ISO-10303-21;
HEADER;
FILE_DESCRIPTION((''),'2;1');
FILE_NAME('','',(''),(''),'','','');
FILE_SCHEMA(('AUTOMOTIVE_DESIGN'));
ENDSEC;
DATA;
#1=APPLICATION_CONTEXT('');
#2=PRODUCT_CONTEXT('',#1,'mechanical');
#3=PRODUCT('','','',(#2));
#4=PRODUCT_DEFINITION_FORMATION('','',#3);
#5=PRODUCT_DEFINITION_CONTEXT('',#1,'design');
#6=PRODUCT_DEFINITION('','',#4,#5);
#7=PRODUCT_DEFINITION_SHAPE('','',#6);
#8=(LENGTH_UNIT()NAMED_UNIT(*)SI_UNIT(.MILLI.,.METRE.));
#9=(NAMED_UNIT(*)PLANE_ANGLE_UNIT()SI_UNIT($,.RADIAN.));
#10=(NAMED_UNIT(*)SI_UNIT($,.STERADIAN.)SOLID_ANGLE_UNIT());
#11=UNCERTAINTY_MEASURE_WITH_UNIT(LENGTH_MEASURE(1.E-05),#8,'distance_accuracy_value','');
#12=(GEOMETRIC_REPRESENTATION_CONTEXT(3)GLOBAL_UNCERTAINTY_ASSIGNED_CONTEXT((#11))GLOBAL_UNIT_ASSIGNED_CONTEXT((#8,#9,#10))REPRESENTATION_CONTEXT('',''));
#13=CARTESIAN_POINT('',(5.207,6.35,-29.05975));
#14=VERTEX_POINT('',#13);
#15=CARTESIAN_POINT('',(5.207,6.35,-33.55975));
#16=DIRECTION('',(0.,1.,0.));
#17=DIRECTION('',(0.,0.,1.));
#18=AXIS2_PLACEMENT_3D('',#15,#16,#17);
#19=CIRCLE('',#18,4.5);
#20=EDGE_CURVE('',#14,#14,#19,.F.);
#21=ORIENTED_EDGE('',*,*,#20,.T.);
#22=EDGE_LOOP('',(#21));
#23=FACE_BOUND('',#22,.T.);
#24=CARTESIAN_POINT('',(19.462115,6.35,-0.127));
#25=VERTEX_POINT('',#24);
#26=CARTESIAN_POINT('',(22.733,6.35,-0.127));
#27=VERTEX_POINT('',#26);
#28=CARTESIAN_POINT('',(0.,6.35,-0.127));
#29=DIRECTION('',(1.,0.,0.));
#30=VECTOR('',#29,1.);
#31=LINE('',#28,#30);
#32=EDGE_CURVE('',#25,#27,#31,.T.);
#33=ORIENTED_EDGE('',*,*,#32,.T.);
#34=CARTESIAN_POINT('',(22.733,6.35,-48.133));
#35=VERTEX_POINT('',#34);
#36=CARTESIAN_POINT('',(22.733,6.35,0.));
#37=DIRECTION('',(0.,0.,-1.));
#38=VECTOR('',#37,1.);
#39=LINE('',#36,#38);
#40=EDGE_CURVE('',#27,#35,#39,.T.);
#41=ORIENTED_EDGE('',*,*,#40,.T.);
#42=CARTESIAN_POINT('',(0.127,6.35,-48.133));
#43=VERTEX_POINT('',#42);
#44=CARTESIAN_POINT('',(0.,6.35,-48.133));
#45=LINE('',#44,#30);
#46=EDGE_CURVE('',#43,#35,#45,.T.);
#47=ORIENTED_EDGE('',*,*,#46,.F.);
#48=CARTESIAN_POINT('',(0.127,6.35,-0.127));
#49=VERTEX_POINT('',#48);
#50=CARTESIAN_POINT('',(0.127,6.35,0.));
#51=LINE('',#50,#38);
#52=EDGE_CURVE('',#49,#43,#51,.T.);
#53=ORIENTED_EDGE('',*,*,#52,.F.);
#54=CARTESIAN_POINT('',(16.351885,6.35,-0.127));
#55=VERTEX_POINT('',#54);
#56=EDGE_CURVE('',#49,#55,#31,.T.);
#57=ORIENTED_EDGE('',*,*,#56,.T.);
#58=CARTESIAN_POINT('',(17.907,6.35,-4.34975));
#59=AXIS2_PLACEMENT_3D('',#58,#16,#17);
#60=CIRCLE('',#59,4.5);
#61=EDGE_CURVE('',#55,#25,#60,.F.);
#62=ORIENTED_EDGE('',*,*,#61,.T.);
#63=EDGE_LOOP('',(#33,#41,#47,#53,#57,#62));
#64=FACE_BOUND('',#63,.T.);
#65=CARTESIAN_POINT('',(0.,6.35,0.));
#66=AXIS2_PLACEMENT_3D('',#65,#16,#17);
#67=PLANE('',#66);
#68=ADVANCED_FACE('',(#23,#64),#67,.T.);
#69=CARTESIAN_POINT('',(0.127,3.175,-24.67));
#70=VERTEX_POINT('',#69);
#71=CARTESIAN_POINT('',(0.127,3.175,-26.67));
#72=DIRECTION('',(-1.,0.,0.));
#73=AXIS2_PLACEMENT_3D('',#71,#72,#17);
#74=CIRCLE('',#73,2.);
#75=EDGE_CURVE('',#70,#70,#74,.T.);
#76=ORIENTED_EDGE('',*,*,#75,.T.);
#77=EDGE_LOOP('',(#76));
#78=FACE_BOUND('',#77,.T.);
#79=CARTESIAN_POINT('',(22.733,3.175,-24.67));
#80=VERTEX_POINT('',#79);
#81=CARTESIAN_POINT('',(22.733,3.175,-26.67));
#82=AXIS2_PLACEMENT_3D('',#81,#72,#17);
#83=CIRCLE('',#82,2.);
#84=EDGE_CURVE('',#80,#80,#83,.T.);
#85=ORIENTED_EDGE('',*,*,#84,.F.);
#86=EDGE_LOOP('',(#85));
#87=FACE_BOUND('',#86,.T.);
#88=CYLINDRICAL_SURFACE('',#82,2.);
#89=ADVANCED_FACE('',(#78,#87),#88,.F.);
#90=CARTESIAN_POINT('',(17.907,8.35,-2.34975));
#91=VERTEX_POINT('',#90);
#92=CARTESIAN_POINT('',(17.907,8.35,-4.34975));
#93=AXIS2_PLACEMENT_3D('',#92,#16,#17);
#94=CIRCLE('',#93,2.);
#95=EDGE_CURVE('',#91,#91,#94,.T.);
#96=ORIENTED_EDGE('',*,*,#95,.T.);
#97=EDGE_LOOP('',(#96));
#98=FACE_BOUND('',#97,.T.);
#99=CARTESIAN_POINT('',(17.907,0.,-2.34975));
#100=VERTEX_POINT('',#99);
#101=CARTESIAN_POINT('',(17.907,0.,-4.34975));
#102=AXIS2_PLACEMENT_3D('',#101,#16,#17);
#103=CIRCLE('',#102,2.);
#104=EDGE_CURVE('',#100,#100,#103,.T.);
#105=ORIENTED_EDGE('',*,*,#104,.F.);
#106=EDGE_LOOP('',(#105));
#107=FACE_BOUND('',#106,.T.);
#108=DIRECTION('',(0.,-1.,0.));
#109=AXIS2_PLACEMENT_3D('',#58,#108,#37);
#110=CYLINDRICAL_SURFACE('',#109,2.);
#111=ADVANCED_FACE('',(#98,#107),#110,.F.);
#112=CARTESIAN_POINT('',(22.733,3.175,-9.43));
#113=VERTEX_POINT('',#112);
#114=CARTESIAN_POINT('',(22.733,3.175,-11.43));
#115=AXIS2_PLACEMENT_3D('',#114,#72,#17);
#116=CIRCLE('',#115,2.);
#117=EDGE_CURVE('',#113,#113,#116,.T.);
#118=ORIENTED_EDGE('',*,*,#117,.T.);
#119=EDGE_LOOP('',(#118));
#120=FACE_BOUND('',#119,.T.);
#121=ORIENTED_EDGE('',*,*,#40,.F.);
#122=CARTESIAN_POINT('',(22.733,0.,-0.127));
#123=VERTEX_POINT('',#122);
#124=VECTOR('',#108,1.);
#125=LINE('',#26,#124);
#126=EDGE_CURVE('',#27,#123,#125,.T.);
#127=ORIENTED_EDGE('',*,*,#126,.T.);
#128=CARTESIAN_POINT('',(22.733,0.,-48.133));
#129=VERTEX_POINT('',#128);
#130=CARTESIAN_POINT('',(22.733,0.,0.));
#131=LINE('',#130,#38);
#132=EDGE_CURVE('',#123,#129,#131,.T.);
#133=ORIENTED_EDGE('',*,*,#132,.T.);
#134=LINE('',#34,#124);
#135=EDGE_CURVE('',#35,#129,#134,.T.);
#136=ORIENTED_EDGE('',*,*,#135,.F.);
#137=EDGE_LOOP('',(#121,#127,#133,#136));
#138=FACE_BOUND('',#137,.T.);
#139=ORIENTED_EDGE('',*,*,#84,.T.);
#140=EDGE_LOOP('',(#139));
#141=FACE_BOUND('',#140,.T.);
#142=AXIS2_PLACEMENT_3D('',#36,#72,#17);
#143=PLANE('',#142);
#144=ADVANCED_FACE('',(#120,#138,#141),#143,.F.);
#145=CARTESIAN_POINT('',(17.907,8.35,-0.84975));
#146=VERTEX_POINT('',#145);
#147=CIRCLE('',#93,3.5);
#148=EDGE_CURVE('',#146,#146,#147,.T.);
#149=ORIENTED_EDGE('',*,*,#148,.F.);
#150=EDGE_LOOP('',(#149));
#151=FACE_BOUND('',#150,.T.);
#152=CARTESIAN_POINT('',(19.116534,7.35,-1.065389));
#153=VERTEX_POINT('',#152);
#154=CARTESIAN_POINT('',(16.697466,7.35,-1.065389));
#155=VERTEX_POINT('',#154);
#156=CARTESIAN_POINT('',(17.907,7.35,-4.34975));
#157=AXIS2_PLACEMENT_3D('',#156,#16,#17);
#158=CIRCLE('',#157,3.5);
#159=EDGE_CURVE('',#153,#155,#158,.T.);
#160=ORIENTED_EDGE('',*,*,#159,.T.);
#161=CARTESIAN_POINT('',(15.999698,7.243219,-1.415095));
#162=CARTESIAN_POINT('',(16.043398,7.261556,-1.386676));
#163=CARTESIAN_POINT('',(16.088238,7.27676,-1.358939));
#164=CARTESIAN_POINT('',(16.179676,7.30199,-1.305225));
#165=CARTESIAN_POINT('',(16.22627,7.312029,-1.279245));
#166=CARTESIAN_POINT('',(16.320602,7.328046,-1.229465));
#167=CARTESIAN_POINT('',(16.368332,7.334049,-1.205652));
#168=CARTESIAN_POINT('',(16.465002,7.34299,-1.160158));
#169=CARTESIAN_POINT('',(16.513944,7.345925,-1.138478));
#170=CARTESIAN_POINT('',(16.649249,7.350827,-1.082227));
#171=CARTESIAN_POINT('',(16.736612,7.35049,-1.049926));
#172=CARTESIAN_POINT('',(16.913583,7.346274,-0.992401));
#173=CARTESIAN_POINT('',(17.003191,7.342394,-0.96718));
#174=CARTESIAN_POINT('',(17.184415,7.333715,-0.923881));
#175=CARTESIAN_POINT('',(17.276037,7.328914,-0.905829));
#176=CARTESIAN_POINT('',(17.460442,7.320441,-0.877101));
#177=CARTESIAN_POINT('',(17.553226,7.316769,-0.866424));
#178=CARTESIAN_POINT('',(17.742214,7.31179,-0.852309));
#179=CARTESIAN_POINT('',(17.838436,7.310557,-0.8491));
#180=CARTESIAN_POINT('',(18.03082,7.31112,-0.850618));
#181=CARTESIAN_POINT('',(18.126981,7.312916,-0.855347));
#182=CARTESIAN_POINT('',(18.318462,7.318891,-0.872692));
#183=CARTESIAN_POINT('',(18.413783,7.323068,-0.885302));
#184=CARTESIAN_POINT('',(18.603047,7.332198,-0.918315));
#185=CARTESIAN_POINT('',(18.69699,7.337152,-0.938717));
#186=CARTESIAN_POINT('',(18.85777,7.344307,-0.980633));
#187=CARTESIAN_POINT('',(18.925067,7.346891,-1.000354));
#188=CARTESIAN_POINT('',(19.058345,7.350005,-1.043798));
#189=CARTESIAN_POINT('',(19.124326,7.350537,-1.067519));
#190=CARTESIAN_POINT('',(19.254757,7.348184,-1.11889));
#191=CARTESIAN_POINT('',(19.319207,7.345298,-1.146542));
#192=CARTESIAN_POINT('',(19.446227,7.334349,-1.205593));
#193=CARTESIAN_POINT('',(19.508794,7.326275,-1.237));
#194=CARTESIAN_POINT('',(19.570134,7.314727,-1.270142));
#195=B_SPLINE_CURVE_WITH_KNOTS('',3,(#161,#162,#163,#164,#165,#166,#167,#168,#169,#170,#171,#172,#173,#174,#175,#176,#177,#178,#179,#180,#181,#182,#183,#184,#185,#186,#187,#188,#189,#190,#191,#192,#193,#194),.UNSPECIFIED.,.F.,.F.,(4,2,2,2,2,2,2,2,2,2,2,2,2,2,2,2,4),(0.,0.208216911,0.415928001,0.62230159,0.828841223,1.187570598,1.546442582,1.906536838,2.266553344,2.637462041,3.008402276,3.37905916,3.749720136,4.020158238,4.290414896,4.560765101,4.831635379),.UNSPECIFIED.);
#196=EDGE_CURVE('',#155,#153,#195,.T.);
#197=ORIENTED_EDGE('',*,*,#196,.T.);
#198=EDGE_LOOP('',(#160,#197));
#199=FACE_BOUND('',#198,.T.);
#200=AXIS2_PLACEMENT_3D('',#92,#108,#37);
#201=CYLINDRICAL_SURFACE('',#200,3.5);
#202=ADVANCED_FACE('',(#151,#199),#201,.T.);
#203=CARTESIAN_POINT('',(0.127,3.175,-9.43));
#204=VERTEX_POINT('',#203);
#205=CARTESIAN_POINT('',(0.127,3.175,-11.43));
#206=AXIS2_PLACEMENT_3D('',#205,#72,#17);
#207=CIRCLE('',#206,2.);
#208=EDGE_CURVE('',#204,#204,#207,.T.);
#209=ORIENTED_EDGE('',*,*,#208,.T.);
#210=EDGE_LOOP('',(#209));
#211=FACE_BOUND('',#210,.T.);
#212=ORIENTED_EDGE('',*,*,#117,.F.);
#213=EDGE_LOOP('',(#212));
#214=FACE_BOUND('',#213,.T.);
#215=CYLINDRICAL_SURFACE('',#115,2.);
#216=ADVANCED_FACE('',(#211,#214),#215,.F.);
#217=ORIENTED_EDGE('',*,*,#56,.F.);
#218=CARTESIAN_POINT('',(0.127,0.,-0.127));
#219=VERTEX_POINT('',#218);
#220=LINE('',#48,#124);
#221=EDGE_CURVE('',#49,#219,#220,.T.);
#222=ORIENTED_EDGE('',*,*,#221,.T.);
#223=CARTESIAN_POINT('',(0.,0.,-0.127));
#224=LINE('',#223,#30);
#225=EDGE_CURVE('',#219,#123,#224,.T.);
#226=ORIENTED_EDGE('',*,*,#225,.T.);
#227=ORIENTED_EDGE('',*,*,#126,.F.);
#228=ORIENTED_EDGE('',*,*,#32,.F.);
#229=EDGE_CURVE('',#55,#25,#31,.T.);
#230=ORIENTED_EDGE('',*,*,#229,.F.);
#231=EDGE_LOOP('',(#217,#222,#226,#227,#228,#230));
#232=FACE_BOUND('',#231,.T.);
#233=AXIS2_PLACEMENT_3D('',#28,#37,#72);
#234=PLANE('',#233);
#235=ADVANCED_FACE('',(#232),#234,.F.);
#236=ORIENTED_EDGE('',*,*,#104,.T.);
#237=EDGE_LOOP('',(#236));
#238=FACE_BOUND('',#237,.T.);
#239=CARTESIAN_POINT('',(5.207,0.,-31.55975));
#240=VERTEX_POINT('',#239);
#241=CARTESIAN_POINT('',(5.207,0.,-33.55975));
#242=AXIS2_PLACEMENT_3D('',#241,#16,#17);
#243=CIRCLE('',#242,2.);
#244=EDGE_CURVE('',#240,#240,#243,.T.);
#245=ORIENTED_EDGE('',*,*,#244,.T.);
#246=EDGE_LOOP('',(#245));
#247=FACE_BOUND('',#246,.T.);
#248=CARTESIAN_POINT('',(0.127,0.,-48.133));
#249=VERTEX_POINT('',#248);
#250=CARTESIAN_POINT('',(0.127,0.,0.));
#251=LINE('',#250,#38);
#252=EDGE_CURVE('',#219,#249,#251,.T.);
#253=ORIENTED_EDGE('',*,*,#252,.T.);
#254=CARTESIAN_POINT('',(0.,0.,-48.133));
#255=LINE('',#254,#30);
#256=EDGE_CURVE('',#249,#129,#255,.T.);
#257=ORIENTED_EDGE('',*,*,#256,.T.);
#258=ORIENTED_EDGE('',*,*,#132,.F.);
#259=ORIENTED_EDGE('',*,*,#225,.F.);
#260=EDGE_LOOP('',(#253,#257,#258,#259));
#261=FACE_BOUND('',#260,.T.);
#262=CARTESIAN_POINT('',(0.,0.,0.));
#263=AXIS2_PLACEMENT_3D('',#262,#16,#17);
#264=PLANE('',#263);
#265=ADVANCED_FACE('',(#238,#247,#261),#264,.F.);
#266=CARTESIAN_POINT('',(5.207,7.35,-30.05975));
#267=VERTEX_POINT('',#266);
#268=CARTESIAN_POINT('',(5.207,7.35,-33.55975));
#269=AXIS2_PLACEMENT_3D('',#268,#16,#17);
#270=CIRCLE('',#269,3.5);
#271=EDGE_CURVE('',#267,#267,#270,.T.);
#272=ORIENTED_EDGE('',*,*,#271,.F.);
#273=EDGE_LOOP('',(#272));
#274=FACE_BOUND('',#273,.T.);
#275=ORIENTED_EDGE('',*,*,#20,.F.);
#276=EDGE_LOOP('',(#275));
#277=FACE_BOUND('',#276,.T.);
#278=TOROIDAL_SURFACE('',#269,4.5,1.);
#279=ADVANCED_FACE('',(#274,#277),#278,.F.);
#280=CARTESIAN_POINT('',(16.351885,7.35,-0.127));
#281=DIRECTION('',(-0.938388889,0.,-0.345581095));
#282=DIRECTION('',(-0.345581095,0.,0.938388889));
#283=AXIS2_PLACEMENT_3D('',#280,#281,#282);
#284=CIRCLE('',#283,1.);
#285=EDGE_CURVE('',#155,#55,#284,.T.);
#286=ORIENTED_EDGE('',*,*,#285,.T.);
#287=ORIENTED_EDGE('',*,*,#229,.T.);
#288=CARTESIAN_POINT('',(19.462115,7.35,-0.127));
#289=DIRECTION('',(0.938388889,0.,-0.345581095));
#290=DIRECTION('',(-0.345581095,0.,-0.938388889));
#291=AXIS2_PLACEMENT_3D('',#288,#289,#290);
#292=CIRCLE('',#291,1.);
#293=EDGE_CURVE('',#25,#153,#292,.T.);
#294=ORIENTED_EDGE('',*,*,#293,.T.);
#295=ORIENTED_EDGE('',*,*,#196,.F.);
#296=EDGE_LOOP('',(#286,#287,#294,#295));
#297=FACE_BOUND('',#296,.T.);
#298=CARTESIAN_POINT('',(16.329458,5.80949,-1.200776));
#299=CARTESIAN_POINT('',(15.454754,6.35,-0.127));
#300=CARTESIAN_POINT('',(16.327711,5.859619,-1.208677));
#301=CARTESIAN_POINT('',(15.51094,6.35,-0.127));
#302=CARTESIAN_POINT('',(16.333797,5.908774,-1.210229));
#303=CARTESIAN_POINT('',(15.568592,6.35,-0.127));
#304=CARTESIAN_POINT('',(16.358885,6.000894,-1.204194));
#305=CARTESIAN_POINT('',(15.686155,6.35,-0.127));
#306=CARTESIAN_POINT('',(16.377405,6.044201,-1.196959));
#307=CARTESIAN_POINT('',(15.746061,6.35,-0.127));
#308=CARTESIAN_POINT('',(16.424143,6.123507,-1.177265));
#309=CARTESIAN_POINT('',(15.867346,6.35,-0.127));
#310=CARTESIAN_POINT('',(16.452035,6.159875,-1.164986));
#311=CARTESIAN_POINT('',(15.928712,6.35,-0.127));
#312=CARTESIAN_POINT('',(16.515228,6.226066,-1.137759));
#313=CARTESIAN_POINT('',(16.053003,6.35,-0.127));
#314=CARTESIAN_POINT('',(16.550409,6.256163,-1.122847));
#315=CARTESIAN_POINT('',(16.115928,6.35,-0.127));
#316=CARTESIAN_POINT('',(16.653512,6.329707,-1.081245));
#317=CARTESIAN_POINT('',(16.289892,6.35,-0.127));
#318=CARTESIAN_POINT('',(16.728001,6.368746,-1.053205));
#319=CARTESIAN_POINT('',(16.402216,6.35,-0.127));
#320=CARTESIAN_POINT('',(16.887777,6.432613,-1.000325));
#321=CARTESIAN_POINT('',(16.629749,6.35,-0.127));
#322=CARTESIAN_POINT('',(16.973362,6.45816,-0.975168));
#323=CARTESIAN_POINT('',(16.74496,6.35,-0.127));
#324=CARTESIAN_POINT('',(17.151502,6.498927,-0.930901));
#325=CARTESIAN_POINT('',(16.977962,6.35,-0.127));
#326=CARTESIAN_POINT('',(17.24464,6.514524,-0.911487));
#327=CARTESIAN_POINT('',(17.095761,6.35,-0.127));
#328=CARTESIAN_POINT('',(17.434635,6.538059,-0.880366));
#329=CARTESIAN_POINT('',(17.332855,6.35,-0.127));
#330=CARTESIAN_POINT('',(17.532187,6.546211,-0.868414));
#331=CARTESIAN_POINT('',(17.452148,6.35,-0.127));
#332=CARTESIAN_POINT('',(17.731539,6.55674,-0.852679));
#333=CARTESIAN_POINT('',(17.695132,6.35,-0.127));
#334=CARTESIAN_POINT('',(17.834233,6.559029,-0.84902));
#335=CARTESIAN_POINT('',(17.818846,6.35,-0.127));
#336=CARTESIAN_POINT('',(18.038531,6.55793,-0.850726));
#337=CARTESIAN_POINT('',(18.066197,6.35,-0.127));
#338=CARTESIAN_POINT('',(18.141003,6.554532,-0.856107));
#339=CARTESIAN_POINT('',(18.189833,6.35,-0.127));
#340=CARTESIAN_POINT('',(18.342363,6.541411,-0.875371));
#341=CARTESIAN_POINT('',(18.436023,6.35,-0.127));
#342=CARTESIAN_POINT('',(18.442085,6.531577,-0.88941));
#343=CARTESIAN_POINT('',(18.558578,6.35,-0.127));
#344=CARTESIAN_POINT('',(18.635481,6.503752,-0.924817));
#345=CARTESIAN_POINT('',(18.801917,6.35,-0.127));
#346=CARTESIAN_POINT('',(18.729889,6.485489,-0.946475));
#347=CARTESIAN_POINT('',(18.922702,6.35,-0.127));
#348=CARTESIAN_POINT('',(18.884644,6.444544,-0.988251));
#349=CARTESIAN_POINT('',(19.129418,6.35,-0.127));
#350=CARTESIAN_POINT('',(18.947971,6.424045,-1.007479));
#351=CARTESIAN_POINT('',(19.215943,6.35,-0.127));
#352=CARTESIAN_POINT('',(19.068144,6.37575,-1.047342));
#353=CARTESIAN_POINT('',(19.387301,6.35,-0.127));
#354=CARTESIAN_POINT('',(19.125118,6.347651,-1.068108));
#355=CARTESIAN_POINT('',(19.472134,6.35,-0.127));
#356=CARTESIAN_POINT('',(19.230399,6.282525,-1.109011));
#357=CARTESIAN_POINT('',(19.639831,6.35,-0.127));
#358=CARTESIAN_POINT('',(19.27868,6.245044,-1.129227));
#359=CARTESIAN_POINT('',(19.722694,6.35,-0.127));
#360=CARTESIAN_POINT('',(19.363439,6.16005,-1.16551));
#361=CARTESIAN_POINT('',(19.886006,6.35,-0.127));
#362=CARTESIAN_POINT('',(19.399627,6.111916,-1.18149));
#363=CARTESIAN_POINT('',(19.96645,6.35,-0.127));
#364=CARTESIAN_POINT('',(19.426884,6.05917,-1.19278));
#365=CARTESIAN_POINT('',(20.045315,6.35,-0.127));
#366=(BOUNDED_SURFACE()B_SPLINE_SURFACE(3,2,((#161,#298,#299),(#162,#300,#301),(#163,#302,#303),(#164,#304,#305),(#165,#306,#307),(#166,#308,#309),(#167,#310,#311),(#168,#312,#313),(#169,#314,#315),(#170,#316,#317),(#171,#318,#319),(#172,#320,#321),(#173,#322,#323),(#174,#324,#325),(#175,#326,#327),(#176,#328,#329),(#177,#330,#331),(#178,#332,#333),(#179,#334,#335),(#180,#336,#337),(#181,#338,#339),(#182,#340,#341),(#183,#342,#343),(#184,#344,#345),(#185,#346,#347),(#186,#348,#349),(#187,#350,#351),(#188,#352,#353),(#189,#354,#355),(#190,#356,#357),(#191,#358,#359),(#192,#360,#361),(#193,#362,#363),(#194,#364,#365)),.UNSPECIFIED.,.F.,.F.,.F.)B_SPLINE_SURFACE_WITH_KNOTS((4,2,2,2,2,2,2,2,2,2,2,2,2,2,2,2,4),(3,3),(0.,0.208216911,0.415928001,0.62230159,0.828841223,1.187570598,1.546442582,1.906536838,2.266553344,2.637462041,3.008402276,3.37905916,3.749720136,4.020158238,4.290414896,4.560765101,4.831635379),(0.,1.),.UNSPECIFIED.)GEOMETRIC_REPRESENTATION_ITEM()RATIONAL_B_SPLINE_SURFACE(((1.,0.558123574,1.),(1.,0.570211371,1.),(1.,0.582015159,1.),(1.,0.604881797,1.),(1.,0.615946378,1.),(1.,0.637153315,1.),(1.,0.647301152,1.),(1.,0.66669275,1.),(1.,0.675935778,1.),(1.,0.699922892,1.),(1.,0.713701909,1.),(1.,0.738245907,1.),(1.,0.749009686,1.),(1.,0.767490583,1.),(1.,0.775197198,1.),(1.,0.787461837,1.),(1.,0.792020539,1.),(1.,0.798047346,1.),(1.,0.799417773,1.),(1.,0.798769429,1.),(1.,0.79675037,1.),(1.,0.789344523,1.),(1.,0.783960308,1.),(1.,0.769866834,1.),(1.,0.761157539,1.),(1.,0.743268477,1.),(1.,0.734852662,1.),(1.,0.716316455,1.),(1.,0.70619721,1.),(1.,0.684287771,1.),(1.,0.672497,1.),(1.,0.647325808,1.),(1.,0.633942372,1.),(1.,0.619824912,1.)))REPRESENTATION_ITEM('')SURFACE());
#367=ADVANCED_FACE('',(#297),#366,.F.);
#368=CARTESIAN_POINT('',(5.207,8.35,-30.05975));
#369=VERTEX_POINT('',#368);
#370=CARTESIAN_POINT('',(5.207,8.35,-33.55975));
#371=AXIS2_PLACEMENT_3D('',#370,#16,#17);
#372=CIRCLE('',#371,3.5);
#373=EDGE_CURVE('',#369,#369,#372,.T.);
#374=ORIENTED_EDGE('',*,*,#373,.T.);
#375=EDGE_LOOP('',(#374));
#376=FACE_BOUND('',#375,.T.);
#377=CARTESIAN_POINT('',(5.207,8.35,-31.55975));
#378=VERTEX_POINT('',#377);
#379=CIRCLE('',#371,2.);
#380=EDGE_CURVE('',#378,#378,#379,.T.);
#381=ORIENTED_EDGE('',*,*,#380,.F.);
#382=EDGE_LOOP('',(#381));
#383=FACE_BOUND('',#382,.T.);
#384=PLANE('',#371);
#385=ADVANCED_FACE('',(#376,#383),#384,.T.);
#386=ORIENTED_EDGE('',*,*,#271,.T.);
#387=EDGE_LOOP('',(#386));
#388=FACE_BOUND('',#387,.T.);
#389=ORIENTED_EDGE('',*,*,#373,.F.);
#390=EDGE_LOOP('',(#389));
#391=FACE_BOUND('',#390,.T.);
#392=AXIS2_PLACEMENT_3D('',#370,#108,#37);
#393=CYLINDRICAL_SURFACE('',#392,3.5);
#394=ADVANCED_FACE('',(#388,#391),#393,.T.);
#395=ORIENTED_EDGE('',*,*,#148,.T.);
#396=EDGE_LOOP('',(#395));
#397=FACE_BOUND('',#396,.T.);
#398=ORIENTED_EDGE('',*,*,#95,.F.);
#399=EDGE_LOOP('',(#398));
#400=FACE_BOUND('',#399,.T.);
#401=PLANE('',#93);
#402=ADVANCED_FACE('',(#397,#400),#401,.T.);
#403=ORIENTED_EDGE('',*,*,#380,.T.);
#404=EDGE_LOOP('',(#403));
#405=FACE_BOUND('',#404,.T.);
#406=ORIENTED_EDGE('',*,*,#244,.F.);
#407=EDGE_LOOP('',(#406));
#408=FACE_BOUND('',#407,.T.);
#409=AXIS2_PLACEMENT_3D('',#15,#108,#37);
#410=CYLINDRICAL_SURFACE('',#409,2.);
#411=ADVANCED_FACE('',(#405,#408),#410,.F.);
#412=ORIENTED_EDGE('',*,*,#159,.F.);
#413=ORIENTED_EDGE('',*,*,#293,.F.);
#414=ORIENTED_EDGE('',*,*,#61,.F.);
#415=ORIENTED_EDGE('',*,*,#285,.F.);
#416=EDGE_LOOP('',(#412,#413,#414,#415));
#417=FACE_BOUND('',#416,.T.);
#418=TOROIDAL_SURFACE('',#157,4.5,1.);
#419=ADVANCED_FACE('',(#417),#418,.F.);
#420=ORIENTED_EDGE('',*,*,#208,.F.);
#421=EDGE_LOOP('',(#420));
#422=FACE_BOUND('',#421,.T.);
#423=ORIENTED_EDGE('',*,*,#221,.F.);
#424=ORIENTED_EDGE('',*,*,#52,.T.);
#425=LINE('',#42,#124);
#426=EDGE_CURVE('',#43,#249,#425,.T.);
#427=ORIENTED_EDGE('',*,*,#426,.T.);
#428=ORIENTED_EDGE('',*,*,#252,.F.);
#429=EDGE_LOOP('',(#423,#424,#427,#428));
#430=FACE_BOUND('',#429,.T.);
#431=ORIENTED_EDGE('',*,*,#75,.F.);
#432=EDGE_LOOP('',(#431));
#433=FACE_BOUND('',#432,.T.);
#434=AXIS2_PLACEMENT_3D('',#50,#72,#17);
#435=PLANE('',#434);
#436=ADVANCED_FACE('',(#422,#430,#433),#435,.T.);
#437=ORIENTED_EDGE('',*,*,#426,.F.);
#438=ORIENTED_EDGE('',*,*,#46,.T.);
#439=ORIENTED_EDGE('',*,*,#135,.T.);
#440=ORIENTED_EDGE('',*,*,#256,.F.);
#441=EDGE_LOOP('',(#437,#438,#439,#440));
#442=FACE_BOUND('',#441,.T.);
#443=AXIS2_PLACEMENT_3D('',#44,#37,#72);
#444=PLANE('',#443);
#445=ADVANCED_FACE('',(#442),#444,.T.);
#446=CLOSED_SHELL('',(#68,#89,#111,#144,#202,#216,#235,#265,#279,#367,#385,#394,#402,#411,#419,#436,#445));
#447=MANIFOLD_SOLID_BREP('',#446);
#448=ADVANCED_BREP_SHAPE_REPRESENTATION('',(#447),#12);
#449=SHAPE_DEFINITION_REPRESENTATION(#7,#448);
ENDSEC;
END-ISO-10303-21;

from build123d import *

# Parameters (mm, degrees)
SKETCH1_W           = 22.606
SKETCH1_H           = 48.006
SKETCH1_R           = 2
BOSS_EXTRUDE1_DEPTH = 6.35
SKETCH2_R           = 2
CUT_EXTRUDE1_DEPTH  = 23.606
SKETCH3_R           = 3.5
SKETCH3_R_2         = 2
BOSS_EXTRUDE2_DEPTH = 2
FILLET1_R           = 1


with BuildPart() as part:
    # Sketch1 → Boss-Extrude1 (new body)
    with BuildSketch(Plane(origin=(0, 0, 0), x_dir=(1, 0, 0), z_dir=(0, 1, 0))):
        with Locations((11.43, 24.13)):
            Rectangle(SKETCH1_W, SKETCH1_H)
        with Locations((5.207, 33.55975)):
            Circle(SKETCH1_R, mode=Mode.SUBTRACT)
        with Locations((17.907, 4.34975)):
            Circle(SKETCH1_R, mode=Mode.SUBTRACT)
    extrude(amount=BOSS_EXTRUDE1_DEPTH)

    # Sketch2 → Cut-Extrude1 (cut, through all)
    with BuildSketch(Plane.ZY.offset(-0.127)):
        with Locations((-26.67, 3.175)):
            Circle(SKETCH2_R)
        with Locations((-11.43, 3.175)):
            Circle(SKETCH2_R)
    extrude(amount=-CUT_EXTRUDE1_DEPTH, mode=Mode.SUBTRACT)

    # Sketch3 → Boss-Extrude2 (add)
    with BuildSketch(Plane(origin=(0, 6.35, 0), x_dir=(1, 0, 0), z_dir=(0, 1, 0))):
        with Locations((5.207, 33.55975)):
            Circle(SKETCH3_R)
        with Locations((5.207, 33.55975)):
            Circle(SKETCH3_R_2, mode=Mode.SUBTRACT)
        with Locations((17.907, 4.34975)):
            Circle(SKETCH3_R)
        with Locations((17.907, 4.34975)):
            Circle(SKETCH3_R_2, mode=Mode.SUBTRACT)
    extrude(amount=BOSS_EXTRUDE2_DEPTH)

    # Fillet1
    fillet1_edges = [part.edges().sort_by_distance(p)[0] for p in [
        (1.707, 6.35, -33.55975),
        (14.407, 6.35, -4.34975),
    ]]
    fillet(fillet1_edges, radius=FILLET1_R)


solid = part.part
